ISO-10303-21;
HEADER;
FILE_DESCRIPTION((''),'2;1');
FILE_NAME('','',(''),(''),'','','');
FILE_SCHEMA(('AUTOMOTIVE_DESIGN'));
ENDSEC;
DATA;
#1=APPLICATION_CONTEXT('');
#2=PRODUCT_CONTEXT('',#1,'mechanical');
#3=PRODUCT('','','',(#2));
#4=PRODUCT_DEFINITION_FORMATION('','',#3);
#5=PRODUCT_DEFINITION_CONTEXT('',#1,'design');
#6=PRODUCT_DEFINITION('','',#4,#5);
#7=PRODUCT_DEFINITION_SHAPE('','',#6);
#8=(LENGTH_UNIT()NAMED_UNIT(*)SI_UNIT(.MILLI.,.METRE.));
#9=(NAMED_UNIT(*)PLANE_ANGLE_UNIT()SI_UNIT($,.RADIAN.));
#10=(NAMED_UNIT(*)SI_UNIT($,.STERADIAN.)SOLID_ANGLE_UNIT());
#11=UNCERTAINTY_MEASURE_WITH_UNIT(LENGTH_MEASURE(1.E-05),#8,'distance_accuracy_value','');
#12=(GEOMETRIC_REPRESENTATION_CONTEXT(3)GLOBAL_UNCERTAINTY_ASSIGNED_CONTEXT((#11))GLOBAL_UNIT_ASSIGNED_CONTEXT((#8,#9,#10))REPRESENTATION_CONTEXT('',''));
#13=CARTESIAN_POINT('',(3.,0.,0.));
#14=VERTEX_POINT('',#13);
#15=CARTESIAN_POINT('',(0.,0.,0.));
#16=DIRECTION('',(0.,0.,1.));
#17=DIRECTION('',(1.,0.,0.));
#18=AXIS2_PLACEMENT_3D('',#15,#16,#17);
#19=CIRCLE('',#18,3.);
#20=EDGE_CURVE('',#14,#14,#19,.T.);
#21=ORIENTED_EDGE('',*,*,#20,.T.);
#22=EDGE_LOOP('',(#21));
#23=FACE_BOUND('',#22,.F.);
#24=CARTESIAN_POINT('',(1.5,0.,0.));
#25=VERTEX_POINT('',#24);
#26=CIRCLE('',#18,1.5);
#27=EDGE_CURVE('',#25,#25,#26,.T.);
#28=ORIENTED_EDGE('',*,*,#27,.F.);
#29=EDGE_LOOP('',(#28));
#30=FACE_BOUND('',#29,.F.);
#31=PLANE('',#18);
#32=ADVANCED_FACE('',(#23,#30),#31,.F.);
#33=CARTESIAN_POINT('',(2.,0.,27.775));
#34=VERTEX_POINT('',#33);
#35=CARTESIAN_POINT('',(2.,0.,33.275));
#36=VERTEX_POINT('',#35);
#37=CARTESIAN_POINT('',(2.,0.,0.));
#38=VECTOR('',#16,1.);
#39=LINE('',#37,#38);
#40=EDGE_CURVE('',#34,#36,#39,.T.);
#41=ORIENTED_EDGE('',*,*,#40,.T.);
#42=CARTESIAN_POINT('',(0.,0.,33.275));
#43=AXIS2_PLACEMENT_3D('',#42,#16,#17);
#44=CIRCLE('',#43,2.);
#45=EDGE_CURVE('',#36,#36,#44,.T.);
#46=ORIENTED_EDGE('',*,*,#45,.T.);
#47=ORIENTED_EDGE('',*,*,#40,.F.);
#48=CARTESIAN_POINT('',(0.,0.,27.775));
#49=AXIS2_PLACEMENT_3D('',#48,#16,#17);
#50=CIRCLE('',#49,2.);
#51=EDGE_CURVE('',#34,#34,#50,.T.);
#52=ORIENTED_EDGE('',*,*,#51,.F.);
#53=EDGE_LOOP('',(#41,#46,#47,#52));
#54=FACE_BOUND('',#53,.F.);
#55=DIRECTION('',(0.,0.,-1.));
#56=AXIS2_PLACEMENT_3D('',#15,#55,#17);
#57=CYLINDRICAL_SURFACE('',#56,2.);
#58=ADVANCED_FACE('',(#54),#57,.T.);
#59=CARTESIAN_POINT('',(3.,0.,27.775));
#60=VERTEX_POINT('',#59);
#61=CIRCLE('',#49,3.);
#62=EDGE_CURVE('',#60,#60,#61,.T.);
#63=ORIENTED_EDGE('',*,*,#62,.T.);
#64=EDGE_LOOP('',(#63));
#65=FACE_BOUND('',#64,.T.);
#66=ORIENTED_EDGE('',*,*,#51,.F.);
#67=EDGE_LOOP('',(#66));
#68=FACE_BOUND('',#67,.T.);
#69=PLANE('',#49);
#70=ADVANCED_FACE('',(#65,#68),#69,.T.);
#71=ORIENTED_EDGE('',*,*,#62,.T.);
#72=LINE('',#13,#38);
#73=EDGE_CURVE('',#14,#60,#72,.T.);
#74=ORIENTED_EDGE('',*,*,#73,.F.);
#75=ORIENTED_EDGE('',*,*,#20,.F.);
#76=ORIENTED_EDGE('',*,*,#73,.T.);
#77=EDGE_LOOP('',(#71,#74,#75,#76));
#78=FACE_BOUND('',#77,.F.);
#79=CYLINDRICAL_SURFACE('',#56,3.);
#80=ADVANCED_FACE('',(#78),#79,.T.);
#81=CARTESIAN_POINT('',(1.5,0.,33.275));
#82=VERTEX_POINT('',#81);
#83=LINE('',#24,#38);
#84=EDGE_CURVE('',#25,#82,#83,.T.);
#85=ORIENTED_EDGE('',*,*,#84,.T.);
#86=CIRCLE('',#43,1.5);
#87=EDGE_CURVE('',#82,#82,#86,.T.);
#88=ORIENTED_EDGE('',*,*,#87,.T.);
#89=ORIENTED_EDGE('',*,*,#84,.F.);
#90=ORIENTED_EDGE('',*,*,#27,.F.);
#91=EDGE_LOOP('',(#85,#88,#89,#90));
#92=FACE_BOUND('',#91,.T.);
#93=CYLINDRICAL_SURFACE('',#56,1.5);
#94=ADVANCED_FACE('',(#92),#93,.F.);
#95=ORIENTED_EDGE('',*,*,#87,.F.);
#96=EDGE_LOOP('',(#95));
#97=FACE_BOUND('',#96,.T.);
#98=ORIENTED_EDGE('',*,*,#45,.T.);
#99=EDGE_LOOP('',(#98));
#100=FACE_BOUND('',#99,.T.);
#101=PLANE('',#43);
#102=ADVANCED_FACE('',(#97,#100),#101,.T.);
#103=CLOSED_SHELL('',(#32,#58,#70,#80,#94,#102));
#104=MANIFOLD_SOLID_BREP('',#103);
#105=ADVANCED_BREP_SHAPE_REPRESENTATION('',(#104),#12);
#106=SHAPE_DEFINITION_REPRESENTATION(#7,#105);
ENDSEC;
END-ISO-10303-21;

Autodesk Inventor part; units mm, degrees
ref_plane "YZ Plane" through (0, 0, 0) normal (1, 0, 0) x (0, 1, 0)
ref_plane "XZ Plane" through (0, 0, 0) normal (0, 1, 0) x (-1, 0, 0)
ref_plane "XY Plane" through (0, 0, 0) normal (0, 0, 1) x (1, 0, 0)
sketch "Szkic1" plane through (0, 0, 0) normal (0, 0, 1) x (1, 0, 0)
  circle A0 centre (0, 0) radius 1.5
  circle A1 centre (0, 0) radius 2
  circle A2 centre (0, 0) radius 3
  dimension "d0" = 3
  dimension "d1" = 4
  dimension "d2" = 6
extrude "Wyciągnięcie proste1" add sketch "Szkic1" along normal blind 27.775 contours A2
extrude "Wyciągnięcie proste2" add sketch "Szkic1" along normal blind 33.275 contours A1
properties part number "tulejkapodlozysko"
